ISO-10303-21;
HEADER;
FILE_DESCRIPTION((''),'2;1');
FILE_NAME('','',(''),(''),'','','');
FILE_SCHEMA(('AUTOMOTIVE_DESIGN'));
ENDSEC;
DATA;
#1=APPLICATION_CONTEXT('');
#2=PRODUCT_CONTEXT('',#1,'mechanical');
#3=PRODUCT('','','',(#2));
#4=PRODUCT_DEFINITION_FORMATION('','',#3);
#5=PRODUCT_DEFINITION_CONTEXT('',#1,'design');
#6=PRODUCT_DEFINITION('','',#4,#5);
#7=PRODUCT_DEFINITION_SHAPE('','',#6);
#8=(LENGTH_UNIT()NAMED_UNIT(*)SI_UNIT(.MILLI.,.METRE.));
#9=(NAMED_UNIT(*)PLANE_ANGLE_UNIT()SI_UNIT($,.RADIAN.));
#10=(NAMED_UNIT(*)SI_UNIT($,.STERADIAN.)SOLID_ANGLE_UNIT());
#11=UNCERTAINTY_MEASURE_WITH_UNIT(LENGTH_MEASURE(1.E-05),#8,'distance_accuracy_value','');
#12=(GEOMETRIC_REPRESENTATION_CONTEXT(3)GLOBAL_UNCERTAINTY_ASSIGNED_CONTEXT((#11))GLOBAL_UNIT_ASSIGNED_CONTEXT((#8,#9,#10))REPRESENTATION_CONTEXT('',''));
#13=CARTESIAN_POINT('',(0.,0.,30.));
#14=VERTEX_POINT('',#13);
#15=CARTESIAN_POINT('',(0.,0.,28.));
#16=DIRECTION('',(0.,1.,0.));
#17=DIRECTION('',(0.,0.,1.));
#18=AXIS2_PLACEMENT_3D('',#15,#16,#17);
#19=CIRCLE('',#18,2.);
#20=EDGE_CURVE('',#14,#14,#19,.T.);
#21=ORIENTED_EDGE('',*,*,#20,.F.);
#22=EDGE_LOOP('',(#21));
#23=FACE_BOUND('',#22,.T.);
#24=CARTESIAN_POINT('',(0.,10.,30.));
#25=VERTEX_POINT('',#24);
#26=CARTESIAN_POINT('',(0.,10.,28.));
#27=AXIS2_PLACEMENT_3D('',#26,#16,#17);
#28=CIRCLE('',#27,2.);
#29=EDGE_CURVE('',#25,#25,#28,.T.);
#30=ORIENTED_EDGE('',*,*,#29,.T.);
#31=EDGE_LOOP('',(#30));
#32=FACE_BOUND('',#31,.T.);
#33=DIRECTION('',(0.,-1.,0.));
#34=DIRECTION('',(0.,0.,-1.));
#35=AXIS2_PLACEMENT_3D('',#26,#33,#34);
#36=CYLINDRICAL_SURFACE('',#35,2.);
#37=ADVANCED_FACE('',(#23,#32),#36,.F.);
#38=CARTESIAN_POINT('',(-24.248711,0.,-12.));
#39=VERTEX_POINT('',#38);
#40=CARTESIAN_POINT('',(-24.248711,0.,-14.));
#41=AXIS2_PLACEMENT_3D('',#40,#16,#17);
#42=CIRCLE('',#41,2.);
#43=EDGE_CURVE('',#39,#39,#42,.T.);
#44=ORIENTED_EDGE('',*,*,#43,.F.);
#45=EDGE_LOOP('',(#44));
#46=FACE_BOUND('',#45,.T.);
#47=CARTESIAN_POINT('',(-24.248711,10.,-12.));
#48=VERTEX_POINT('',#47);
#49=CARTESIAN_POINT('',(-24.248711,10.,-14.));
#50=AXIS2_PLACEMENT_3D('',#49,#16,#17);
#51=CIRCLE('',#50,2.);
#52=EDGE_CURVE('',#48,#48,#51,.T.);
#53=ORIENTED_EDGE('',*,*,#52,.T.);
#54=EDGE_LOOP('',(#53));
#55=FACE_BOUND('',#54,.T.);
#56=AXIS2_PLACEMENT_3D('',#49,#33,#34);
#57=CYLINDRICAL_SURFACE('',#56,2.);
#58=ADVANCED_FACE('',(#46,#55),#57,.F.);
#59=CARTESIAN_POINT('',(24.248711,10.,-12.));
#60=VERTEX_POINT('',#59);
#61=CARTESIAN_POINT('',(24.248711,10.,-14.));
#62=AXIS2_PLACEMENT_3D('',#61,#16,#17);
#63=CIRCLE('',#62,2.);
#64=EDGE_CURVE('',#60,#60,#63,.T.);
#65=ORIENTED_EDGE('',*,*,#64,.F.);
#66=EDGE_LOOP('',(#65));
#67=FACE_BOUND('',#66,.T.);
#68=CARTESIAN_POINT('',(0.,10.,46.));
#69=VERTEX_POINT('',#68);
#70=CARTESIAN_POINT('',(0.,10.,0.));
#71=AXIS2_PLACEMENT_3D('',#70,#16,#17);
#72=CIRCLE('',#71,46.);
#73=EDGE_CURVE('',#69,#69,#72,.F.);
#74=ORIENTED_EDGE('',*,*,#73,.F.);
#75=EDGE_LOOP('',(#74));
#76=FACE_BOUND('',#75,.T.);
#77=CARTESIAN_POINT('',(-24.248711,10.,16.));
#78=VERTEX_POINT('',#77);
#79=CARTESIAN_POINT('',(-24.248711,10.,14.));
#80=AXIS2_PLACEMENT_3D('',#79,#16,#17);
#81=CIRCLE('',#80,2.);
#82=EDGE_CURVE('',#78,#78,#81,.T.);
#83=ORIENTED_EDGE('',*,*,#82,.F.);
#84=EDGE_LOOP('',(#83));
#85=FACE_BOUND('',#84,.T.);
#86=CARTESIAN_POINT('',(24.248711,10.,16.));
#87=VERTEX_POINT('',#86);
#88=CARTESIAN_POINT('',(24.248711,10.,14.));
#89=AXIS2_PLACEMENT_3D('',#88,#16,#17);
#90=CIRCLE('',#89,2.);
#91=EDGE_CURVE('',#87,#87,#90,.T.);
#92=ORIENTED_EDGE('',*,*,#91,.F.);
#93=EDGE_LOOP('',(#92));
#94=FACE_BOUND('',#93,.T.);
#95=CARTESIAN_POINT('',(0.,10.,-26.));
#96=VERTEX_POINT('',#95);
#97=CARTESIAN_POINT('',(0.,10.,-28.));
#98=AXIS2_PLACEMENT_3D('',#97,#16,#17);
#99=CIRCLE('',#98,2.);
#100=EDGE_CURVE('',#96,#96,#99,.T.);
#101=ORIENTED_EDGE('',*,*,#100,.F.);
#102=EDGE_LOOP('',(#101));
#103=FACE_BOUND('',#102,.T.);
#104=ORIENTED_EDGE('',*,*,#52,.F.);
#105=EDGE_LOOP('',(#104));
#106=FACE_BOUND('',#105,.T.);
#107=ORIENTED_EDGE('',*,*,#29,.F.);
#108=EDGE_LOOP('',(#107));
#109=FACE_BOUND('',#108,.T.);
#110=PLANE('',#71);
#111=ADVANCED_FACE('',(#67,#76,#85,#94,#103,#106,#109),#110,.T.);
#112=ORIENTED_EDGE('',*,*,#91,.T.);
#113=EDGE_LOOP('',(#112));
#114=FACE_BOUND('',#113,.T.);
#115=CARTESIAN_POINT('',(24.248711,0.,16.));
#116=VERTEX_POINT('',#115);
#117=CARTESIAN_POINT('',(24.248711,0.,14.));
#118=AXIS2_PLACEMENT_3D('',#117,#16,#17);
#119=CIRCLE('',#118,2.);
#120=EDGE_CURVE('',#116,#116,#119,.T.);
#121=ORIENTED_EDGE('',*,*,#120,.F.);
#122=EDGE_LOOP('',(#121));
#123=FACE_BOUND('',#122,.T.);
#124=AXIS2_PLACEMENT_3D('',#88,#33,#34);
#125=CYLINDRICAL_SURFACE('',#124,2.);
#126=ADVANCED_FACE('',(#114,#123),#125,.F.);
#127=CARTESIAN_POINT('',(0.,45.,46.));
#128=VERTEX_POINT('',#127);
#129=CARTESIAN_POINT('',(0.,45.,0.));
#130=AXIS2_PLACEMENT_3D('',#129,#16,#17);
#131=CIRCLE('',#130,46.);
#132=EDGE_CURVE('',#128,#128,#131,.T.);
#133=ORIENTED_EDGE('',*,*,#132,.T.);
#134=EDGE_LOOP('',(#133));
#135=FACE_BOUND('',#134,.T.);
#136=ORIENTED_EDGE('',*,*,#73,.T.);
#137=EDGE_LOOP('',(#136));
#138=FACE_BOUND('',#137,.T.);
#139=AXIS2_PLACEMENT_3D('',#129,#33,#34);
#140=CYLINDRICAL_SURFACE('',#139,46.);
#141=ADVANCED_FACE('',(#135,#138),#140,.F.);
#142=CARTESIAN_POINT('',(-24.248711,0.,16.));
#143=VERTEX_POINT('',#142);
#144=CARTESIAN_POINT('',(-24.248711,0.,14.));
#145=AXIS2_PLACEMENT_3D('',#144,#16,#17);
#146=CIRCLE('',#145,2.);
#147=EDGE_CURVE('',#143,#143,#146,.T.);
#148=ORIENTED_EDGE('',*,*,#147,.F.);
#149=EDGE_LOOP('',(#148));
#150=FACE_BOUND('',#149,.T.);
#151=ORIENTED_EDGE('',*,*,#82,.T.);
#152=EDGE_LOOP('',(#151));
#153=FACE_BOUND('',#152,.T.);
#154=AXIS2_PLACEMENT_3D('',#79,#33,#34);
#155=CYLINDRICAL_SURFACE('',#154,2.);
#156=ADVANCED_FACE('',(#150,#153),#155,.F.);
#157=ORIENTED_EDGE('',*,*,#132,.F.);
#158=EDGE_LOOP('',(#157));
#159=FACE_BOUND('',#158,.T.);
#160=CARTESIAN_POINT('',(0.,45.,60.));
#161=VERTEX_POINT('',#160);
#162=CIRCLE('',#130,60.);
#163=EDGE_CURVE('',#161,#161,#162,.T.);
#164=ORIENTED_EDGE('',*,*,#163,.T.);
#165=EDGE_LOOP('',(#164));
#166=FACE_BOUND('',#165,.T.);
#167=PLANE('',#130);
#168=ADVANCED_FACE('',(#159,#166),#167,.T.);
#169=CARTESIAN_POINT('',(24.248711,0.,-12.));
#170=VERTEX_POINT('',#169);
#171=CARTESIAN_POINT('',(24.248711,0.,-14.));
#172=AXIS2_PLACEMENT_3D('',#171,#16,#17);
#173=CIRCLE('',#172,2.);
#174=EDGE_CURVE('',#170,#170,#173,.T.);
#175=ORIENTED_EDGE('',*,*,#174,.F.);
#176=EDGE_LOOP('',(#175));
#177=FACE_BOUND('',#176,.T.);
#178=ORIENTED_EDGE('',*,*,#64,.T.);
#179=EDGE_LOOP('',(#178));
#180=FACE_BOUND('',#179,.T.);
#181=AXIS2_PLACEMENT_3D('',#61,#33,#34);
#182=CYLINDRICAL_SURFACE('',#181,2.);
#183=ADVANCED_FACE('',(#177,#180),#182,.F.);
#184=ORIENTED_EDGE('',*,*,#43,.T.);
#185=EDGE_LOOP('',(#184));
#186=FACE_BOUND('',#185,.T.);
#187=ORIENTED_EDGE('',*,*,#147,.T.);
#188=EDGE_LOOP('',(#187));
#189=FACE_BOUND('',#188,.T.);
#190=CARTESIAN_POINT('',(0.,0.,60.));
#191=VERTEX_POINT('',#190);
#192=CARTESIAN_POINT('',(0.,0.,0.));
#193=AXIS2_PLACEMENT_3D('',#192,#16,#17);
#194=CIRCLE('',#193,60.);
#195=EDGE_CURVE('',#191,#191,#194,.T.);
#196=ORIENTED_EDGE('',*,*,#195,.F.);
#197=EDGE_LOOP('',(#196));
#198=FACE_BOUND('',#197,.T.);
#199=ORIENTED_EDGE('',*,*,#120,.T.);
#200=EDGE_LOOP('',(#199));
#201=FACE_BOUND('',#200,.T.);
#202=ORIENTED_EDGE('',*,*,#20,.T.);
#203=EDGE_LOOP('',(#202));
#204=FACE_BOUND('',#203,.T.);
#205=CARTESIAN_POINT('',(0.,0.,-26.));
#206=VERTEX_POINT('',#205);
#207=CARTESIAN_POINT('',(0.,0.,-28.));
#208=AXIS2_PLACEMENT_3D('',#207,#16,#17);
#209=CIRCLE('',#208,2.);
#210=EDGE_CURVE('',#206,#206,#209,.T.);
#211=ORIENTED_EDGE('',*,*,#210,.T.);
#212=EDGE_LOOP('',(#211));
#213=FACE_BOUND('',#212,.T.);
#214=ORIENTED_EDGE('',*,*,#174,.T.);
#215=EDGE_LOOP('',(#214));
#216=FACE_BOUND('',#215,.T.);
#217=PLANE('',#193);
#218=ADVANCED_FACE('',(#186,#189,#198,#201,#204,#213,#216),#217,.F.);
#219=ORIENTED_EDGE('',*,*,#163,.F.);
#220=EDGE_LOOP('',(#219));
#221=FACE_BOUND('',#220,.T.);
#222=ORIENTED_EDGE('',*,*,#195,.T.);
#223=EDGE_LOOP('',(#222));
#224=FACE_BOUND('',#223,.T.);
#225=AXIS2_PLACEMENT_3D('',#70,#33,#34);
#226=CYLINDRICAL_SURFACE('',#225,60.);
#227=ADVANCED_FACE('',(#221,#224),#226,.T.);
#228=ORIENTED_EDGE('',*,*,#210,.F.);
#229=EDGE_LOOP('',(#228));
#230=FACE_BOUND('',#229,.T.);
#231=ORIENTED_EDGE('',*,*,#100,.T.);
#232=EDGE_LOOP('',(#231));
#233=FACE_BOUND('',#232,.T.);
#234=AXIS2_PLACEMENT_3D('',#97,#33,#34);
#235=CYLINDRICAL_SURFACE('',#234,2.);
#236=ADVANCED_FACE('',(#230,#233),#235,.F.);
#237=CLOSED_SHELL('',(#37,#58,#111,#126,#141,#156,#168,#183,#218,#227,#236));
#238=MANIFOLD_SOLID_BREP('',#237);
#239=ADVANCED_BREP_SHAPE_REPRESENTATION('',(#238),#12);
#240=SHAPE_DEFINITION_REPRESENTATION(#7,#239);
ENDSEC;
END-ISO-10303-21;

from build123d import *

# Parameters (mm, degrees)
SKETCH1_R           = 60
SKETCH1_R_2         = 2
BOSS_EXTRUDE1_DEPTH = 10
SKETCH2_R           = 60
SKETCH2_R_2         = 46
BOSS_EXTRUDE2_DEPTH = 35


with BuildPart() as part:
    # Sketch1 → Boss-Extrude1 (new body)
    with BuildSketch(Plane(origin=(0, 0, 0), x_dir=(1, 0, 0), z_dir=(0, 1, 0))):
        with Locations(Location((0, 0, 0), (0, 0, 270))):
            Circle(SKETCH1_R)
        with Locations(Location((0, 28, 0), (0, 0, 270))):
            Circle(SKETCH1_R_2, mode=Mode.SUBTRACT)
        with Locations(Location((24.248711306, 14, 0), (0, 0, 270))):
            Circle(SKETCH1_R_2, mode=Mode.SUBTRACT)
        with Locations(Location((24.248711306, -14, 0), (0, 0, 270))):
            Circle(SKETCH1_R_2, mode=Mode.SUBTRACT)
        with Locations(Location((0, -28, 0), (0, 0, 270))):
            Circle(SKETCH1_R_2, mode=Mode.SUBTRACT)
        with Locations(Location((-24.248711306, -14, 0), (0, 0, 270))):
            Circle(SKETCH1_R_2, mode=Mode.SUBTRACT)
        with Locations(Location((-24.248711306, 14, 0), (0, 0, 270))):
            Circle(SKETCH1_R_2, mode=Mode.SUBTRACT)
    extrude(amount=BOSS_EXTRUDE1_DEPTH)

    # Sketch2 → Boss-Extrude2 (add)
    with BuildSketch(Plane(origin=(0, 10, 0), x_dir=(1, 0, 0), z_dir=(0, 1, 0))):
        with Locations(Location((0, 0, 0), (0, 0, 270))):
            Circle(SKETCH2_R)
        with Locations(Location((0, 0, 0), (0, 0, 270))):
            Circle(SKETCH2_R_2, mode=Mode.SUBTRACT)
    extrude(amount=BOSS_EXTRUDE2_DEPTH)


solid = part.part
